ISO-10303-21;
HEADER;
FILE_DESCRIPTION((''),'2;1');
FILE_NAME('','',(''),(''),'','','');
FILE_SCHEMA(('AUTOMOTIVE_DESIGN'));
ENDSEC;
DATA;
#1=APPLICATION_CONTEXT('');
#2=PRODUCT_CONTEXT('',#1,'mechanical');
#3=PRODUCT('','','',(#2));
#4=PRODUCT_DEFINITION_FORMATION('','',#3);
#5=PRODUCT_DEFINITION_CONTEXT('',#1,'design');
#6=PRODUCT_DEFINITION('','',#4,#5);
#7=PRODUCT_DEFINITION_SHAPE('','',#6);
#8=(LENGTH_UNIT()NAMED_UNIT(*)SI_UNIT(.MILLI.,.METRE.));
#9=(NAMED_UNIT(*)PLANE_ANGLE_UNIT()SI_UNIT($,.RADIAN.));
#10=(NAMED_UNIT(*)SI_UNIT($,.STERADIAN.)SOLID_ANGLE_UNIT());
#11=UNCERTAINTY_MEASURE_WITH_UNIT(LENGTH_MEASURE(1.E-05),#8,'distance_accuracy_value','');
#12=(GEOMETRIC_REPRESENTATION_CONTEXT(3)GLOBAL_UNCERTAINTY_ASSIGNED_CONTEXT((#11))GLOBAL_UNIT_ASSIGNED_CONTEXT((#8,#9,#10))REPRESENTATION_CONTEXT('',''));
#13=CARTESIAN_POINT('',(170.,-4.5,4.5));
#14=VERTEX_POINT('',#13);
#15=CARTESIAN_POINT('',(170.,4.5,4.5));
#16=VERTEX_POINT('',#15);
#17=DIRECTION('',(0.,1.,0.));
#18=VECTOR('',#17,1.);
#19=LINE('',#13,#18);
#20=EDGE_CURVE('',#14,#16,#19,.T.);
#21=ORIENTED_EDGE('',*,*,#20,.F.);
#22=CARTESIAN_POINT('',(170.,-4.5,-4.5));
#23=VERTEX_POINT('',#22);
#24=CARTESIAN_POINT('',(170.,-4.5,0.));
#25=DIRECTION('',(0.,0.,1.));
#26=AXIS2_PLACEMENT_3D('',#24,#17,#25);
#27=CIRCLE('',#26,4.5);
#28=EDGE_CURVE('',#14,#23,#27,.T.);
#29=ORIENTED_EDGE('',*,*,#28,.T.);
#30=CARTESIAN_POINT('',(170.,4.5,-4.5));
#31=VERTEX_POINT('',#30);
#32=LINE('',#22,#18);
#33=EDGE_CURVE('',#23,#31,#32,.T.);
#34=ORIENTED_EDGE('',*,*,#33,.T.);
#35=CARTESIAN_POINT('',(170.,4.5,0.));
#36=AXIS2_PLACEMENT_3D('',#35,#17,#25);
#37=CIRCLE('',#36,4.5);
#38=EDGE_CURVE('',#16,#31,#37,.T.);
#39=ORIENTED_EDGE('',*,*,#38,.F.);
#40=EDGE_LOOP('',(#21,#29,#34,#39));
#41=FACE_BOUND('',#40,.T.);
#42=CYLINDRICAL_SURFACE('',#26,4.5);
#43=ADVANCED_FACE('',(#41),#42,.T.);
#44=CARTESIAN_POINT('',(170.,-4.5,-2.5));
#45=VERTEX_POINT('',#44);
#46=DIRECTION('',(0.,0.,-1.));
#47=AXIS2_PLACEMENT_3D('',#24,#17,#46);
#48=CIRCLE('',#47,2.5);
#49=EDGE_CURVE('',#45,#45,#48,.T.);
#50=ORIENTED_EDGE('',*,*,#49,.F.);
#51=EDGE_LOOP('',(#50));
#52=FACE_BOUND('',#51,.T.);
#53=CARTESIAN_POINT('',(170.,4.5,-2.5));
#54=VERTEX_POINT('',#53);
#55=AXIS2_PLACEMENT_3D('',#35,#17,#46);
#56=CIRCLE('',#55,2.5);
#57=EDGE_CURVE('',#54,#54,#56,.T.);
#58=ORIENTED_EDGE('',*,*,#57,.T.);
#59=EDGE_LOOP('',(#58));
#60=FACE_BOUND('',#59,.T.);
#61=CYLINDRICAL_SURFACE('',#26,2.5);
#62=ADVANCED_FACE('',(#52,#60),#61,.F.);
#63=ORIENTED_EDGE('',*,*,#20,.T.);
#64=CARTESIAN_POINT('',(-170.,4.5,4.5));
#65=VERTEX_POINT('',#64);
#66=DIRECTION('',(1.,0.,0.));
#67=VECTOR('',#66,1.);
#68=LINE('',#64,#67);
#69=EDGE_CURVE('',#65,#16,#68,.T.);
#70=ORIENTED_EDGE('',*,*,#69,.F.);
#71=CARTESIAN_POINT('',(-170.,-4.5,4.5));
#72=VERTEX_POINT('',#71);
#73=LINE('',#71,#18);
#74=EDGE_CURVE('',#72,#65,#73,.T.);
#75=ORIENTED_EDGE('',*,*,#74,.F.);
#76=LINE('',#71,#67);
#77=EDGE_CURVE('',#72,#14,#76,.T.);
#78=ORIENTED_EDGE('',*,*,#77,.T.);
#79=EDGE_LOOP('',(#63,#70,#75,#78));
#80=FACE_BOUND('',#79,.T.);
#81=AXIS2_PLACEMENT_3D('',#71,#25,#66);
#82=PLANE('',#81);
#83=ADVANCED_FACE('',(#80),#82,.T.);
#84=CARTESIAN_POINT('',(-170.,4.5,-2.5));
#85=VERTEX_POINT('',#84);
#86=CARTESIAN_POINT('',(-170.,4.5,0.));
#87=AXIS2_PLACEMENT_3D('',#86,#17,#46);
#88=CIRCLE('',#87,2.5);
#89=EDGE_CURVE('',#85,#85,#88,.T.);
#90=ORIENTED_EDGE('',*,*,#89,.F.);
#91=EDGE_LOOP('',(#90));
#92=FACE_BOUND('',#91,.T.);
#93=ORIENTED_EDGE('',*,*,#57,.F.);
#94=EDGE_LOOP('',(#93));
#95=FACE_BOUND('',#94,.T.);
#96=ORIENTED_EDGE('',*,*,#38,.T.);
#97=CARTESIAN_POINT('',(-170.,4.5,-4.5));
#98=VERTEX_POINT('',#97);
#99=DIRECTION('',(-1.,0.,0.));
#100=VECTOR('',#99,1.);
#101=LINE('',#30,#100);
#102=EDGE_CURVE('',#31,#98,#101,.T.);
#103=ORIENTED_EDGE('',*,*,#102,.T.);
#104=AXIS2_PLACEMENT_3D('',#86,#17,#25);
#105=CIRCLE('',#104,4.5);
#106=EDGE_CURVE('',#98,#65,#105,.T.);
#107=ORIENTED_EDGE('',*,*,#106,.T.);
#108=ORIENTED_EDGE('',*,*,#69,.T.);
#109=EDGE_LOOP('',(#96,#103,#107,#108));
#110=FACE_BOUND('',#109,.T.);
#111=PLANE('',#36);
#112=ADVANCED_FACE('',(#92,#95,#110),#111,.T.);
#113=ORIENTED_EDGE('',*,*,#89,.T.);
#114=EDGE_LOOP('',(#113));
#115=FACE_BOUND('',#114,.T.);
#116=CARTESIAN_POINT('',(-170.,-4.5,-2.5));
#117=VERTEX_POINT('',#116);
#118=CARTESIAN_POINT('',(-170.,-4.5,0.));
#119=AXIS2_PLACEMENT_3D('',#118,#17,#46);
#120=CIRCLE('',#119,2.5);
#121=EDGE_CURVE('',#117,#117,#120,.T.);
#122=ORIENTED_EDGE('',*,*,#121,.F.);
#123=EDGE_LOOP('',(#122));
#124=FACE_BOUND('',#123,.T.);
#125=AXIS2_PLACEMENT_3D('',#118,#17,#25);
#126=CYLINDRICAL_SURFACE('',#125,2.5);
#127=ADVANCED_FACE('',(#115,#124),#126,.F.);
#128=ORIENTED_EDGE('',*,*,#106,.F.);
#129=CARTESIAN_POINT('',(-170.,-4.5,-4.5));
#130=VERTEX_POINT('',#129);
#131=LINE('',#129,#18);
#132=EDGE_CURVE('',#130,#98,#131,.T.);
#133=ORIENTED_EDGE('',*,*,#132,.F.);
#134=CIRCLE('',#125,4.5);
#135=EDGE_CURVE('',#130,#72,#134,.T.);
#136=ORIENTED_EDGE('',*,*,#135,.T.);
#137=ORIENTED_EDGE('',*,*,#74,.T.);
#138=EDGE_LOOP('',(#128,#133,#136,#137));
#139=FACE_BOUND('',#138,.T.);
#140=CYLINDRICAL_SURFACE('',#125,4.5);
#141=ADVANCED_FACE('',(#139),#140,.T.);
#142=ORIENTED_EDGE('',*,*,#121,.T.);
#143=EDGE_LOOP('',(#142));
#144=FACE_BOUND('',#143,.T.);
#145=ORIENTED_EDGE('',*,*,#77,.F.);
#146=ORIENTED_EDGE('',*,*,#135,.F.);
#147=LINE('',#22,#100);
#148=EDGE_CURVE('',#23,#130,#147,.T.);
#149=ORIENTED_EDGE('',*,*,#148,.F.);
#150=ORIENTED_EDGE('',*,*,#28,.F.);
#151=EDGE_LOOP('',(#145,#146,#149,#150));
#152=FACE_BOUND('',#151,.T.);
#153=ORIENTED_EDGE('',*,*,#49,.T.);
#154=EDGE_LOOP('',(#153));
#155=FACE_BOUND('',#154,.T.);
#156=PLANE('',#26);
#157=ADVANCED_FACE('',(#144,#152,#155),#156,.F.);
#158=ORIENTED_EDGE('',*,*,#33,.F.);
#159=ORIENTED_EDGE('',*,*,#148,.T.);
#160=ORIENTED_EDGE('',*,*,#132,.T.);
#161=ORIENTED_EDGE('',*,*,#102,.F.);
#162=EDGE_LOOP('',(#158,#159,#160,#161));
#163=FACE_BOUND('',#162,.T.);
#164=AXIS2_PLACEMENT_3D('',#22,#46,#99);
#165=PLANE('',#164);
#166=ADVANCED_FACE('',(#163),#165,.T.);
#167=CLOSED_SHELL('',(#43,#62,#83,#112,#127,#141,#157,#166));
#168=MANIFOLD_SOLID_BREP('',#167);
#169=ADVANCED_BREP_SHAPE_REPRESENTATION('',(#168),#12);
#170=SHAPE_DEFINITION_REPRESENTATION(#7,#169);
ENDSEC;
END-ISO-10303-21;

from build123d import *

# Parameters (mm, degrees)
SKETCH1_R           = 2.5
BOSS_EXTRUDE1_DEPTH = 9


with BuildPart() as part:
    # Sketch1 → Boss-Extrude1 (new body)
    with BuildSketch(Plane(origin=(0, 4.5, 0), x_dir=(1, 0, 0), z_dir=(0, 1, 0))):
        with BuildLine():
            Line((170, 4.5), (-170, 4.5))
            ThreePointArc((-170, 4.5), (-174.5, 0), (-170, -4.5))
            Line((-170, -4.5), (170, -4.5))
            ThreePointArc((170, -4.5), (174.5, 0), (170, 4.5))
        make_face()
        with Locations(Location((170, 0, 0), (0, 0, 90))):
            Circle(SKETCH1_R, mode=Mode.SUBTRACT)
        with Locations(Location((-170, 0, 0), (0, 0, 90))):
            Circle(SKETCH1_R, mode=Mode.SUBTRACT)
    extrude(amount=-BOSS_EXTRUDE1_DEPTH)


solid = part.part
